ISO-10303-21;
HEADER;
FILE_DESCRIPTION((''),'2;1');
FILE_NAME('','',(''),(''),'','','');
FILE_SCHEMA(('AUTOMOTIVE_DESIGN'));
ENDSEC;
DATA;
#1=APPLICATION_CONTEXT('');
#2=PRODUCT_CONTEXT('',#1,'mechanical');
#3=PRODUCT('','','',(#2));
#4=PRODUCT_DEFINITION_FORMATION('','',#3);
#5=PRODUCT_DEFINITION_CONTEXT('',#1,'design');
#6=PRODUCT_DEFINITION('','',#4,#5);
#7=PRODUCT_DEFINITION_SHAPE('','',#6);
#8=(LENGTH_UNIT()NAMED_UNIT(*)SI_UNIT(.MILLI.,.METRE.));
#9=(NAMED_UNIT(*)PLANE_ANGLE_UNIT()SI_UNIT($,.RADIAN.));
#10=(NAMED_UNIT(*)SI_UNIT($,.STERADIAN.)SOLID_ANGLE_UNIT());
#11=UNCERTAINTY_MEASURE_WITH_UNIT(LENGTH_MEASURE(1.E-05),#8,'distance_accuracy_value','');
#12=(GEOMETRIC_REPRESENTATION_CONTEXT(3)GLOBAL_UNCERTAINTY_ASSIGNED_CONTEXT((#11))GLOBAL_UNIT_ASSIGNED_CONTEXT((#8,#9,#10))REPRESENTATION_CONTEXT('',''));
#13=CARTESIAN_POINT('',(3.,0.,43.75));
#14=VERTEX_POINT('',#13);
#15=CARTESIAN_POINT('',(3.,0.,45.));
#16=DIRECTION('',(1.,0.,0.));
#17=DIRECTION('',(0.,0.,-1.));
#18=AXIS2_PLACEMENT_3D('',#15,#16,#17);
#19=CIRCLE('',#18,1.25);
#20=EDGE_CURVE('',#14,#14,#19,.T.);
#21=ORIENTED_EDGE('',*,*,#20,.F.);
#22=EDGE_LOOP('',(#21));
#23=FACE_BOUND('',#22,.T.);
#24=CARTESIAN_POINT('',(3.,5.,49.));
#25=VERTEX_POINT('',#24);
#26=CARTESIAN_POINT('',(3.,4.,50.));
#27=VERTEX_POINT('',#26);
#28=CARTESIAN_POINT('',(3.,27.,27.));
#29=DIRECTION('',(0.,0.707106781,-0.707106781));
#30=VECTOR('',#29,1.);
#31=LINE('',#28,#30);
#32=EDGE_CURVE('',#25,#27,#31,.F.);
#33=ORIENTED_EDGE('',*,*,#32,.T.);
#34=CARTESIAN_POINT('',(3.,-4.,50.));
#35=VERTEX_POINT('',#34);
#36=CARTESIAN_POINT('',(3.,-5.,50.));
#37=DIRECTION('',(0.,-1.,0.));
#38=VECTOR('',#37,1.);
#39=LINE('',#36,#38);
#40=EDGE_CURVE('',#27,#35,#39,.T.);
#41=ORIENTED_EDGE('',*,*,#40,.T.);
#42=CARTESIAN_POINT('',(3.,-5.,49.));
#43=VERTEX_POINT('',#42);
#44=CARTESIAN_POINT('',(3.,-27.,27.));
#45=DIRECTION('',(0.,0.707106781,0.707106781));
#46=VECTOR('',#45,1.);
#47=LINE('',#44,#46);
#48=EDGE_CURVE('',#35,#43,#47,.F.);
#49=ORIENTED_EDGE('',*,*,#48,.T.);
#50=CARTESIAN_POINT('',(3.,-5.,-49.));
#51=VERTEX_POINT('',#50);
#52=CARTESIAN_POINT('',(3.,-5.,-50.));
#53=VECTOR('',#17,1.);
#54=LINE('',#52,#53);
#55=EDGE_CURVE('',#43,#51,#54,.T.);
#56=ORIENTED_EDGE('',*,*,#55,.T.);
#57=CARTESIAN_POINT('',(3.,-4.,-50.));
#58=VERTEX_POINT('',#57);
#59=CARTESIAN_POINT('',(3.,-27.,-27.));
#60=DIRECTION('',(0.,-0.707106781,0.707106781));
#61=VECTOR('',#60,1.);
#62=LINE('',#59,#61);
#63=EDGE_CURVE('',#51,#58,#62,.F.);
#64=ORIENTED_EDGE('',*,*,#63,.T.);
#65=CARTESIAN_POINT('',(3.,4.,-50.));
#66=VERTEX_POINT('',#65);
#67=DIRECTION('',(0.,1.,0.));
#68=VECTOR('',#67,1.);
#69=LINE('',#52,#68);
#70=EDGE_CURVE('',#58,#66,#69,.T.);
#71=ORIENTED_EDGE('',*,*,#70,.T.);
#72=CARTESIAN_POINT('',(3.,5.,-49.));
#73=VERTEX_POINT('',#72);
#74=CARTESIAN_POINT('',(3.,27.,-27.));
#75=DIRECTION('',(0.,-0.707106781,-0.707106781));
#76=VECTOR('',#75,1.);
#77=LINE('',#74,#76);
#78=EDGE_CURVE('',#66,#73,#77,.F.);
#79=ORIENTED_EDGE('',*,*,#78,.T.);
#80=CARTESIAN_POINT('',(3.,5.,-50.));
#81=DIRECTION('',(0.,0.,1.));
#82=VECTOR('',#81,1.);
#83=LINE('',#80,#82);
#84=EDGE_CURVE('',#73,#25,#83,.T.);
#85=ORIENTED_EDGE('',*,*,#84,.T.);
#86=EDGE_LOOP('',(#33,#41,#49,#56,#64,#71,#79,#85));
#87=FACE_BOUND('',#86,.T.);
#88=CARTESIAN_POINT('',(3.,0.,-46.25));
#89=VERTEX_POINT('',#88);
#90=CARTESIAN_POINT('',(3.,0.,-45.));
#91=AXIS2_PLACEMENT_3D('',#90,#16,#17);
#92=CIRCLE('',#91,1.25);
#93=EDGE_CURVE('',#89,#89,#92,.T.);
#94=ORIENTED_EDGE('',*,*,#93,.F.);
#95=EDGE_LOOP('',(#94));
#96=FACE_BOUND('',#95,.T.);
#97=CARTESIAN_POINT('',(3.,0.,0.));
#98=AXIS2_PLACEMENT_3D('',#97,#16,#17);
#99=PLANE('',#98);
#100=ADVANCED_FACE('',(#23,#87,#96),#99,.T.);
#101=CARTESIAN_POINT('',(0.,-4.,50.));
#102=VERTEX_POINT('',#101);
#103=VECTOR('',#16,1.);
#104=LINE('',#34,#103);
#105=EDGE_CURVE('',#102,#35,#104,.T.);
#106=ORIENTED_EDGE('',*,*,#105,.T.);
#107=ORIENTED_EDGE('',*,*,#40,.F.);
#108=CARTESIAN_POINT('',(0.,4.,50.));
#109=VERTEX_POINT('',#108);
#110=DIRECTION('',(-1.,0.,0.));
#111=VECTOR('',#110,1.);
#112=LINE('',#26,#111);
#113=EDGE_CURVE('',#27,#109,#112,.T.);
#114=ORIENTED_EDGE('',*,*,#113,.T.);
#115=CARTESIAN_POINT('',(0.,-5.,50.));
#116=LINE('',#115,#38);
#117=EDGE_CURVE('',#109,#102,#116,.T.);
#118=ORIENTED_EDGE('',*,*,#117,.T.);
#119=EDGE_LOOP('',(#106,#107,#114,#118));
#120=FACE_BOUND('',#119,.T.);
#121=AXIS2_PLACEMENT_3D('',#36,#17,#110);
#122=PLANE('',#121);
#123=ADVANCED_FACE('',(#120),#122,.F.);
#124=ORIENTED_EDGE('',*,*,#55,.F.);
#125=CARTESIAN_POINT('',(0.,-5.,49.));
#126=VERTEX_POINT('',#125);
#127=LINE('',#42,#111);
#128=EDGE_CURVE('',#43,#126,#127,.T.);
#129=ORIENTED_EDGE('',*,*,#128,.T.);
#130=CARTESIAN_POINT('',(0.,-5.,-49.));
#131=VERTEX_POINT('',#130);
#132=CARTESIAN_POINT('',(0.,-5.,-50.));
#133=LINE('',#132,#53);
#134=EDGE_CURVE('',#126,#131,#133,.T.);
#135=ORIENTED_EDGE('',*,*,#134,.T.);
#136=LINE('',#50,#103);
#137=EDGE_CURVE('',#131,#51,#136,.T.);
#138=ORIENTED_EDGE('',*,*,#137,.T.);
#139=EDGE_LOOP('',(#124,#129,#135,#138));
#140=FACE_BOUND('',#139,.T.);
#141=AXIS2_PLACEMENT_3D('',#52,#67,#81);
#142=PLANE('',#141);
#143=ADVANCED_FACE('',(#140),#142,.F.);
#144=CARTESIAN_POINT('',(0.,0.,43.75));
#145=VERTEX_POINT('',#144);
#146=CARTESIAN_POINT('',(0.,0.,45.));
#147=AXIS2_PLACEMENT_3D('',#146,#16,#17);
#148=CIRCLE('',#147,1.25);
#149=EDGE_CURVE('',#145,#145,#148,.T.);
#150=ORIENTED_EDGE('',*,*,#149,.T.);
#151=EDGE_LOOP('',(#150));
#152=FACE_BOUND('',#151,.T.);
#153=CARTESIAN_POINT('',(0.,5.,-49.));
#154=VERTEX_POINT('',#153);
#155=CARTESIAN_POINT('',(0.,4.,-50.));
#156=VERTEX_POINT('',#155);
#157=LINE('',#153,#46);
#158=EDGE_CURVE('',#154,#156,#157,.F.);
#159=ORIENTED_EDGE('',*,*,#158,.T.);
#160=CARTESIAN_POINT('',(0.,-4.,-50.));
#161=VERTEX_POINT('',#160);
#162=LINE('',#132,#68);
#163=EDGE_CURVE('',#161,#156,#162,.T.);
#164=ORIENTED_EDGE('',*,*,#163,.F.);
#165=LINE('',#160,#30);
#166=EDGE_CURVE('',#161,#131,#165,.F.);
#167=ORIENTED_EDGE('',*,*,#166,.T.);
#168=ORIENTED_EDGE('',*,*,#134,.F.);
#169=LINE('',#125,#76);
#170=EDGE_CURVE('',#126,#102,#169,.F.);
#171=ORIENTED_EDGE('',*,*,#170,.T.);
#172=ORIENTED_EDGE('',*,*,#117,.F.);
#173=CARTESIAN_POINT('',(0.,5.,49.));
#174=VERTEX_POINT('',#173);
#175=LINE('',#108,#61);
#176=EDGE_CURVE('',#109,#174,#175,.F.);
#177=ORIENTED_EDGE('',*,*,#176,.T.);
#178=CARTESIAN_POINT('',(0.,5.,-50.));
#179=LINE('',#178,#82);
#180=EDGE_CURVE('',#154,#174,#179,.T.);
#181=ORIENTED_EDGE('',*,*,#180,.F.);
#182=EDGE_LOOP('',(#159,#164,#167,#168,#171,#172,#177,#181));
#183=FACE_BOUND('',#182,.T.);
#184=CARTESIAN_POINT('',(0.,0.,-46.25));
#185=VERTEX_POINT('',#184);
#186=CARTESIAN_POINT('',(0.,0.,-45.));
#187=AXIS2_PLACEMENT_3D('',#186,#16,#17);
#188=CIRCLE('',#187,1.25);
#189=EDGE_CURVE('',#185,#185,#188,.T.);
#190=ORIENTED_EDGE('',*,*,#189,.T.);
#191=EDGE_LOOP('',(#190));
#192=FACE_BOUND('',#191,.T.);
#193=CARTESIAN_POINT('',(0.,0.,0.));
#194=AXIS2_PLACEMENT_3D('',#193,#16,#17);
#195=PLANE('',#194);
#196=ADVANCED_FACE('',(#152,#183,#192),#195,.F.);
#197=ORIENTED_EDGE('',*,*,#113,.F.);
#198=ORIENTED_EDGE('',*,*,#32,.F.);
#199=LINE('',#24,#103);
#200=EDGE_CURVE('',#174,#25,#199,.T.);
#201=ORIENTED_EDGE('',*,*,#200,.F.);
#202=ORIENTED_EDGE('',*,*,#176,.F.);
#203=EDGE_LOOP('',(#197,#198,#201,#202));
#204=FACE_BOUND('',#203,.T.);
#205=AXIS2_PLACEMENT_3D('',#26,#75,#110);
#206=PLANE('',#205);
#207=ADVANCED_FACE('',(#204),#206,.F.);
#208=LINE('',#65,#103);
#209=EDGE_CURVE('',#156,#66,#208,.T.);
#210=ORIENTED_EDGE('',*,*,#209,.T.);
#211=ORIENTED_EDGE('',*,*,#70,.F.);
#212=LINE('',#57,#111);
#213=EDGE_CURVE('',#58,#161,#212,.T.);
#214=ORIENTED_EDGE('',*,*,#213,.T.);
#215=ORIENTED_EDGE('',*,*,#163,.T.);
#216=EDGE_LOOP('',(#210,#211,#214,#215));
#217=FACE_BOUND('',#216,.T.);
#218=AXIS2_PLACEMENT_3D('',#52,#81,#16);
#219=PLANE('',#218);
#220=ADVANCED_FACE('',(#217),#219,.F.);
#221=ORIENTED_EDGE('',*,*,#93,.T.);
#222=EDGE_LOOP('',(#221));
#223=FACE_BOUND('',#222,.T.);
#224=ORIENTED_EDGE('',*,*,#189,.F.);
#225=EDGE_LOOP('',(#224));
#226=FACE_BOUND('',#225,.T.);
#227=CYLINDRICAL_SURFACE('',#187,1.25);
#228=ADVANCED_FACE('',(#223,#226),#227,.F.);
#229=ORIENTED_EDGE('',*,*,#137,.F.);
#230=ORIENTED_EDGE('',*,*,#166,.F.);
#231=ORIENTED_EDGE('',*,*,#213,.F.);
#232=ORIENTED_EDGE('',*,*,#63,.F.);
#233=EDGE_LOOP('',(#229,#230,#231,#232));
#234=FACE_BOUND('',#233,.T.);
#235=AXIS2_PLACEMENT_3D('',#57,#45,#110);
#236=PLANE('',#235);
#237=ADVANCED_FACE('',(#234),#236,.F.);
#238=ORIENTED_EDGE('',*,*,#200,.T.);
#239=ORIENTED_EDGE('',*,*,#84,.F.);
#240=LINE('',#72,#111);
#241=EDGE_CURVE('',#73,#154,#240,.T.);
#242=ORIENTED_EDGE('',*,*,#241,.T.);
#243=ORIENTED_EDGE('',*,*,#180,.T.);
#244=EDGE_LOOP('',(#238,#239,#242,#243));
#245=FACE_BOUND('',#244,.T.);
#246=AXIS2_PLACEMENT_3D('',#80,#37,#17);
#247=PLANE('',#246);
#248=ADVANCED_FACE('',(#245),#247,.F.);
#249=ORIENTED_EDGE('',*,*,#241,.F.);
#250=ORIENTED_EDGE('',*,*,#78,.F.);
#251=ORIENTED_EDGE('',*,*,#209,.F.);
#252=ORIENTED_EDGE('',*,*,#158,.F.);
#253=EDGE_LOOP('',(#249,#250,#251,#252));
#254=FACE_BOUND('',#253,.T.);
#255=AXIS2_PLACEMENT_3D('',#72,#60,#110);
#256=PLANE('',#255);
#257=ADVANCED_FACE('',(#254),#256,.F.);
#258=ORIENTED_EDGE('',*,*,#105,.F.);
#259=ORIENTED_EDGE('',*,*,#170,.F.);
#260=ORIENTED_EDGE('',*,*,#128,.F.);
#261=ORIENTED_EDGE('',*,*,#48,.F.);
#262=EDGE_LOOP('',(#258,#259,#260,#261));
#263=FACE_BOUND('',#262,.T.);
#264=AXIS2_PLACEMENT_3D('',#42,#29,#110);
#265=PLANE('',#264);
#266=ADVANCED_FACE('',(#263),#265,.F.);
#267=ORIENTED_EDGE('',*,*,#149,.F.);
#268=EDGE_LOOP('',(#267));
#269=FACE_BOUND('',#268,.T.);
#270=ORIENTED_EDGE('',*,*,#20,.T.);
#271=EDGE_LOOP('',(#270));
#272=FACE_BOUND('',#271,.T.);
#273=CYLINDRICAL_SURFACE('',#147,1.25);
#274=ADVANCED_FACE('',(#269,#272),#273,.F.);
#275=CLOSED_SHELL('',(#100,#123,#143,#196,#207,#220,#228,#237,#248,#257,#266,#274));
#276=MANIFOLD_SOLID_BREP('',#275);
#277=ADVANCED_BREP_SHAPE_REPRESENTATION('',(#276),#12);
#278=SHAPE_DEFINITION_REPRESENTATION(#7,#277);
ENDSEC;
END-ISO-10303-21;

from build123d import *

# Parameters (mm, degrees)
SKETCH_1_W          = 100
SKETCH_1_H          = 10
EXTRUDE_1_DEPTH     = 3
SKETCH_2_R          = 1.25
CUT_EXTRUDE_1_DEPTH = 51.338851795
CHAMFER_1_SIZE      = 1


with BuildPart() as part:
    # 草图1 → 凸台-拉伸1 (new body)
    with BuildSketch(Plane(origin=(0, 0, 0), x_dir=(0, 0, -1), z_dir=(1, 0, 0))):
        Rectangle(SKETCH_1_W, SKETCH_1_H)
    extrude(amount=EXTRUDE_1_DEPTH)

    # 草图2 → 切除-拉伸1 (cut, through all)
    with BuildSketch(Plane(origin=(3, 0, 0), x_dir=(0, 0, -1), z_dir=(1, 0, 0))):
        with Locations((-45, 0)):
            Circle(SKETCH_2_R)
        with Locations((45, 0)):
            Circle(SKETCH_2_R)
    extrude(amount=-CUT_EXTRUDE_1_DEPTH, mode=Mode.SUBTRACT)

    # 倒角1
    chamfer_1_edges = [part.edges().sort_by_distance(p)[0] for p in [
        (1.5, 5, 50),
        (1.5, 5, -50),
        (1.5, -5, -50),
        (1.5, -5, 50),
    ]]
    chamfer(chamfer_1_edges, length=CHAMFER_1_SIZE)


solid = part.part
